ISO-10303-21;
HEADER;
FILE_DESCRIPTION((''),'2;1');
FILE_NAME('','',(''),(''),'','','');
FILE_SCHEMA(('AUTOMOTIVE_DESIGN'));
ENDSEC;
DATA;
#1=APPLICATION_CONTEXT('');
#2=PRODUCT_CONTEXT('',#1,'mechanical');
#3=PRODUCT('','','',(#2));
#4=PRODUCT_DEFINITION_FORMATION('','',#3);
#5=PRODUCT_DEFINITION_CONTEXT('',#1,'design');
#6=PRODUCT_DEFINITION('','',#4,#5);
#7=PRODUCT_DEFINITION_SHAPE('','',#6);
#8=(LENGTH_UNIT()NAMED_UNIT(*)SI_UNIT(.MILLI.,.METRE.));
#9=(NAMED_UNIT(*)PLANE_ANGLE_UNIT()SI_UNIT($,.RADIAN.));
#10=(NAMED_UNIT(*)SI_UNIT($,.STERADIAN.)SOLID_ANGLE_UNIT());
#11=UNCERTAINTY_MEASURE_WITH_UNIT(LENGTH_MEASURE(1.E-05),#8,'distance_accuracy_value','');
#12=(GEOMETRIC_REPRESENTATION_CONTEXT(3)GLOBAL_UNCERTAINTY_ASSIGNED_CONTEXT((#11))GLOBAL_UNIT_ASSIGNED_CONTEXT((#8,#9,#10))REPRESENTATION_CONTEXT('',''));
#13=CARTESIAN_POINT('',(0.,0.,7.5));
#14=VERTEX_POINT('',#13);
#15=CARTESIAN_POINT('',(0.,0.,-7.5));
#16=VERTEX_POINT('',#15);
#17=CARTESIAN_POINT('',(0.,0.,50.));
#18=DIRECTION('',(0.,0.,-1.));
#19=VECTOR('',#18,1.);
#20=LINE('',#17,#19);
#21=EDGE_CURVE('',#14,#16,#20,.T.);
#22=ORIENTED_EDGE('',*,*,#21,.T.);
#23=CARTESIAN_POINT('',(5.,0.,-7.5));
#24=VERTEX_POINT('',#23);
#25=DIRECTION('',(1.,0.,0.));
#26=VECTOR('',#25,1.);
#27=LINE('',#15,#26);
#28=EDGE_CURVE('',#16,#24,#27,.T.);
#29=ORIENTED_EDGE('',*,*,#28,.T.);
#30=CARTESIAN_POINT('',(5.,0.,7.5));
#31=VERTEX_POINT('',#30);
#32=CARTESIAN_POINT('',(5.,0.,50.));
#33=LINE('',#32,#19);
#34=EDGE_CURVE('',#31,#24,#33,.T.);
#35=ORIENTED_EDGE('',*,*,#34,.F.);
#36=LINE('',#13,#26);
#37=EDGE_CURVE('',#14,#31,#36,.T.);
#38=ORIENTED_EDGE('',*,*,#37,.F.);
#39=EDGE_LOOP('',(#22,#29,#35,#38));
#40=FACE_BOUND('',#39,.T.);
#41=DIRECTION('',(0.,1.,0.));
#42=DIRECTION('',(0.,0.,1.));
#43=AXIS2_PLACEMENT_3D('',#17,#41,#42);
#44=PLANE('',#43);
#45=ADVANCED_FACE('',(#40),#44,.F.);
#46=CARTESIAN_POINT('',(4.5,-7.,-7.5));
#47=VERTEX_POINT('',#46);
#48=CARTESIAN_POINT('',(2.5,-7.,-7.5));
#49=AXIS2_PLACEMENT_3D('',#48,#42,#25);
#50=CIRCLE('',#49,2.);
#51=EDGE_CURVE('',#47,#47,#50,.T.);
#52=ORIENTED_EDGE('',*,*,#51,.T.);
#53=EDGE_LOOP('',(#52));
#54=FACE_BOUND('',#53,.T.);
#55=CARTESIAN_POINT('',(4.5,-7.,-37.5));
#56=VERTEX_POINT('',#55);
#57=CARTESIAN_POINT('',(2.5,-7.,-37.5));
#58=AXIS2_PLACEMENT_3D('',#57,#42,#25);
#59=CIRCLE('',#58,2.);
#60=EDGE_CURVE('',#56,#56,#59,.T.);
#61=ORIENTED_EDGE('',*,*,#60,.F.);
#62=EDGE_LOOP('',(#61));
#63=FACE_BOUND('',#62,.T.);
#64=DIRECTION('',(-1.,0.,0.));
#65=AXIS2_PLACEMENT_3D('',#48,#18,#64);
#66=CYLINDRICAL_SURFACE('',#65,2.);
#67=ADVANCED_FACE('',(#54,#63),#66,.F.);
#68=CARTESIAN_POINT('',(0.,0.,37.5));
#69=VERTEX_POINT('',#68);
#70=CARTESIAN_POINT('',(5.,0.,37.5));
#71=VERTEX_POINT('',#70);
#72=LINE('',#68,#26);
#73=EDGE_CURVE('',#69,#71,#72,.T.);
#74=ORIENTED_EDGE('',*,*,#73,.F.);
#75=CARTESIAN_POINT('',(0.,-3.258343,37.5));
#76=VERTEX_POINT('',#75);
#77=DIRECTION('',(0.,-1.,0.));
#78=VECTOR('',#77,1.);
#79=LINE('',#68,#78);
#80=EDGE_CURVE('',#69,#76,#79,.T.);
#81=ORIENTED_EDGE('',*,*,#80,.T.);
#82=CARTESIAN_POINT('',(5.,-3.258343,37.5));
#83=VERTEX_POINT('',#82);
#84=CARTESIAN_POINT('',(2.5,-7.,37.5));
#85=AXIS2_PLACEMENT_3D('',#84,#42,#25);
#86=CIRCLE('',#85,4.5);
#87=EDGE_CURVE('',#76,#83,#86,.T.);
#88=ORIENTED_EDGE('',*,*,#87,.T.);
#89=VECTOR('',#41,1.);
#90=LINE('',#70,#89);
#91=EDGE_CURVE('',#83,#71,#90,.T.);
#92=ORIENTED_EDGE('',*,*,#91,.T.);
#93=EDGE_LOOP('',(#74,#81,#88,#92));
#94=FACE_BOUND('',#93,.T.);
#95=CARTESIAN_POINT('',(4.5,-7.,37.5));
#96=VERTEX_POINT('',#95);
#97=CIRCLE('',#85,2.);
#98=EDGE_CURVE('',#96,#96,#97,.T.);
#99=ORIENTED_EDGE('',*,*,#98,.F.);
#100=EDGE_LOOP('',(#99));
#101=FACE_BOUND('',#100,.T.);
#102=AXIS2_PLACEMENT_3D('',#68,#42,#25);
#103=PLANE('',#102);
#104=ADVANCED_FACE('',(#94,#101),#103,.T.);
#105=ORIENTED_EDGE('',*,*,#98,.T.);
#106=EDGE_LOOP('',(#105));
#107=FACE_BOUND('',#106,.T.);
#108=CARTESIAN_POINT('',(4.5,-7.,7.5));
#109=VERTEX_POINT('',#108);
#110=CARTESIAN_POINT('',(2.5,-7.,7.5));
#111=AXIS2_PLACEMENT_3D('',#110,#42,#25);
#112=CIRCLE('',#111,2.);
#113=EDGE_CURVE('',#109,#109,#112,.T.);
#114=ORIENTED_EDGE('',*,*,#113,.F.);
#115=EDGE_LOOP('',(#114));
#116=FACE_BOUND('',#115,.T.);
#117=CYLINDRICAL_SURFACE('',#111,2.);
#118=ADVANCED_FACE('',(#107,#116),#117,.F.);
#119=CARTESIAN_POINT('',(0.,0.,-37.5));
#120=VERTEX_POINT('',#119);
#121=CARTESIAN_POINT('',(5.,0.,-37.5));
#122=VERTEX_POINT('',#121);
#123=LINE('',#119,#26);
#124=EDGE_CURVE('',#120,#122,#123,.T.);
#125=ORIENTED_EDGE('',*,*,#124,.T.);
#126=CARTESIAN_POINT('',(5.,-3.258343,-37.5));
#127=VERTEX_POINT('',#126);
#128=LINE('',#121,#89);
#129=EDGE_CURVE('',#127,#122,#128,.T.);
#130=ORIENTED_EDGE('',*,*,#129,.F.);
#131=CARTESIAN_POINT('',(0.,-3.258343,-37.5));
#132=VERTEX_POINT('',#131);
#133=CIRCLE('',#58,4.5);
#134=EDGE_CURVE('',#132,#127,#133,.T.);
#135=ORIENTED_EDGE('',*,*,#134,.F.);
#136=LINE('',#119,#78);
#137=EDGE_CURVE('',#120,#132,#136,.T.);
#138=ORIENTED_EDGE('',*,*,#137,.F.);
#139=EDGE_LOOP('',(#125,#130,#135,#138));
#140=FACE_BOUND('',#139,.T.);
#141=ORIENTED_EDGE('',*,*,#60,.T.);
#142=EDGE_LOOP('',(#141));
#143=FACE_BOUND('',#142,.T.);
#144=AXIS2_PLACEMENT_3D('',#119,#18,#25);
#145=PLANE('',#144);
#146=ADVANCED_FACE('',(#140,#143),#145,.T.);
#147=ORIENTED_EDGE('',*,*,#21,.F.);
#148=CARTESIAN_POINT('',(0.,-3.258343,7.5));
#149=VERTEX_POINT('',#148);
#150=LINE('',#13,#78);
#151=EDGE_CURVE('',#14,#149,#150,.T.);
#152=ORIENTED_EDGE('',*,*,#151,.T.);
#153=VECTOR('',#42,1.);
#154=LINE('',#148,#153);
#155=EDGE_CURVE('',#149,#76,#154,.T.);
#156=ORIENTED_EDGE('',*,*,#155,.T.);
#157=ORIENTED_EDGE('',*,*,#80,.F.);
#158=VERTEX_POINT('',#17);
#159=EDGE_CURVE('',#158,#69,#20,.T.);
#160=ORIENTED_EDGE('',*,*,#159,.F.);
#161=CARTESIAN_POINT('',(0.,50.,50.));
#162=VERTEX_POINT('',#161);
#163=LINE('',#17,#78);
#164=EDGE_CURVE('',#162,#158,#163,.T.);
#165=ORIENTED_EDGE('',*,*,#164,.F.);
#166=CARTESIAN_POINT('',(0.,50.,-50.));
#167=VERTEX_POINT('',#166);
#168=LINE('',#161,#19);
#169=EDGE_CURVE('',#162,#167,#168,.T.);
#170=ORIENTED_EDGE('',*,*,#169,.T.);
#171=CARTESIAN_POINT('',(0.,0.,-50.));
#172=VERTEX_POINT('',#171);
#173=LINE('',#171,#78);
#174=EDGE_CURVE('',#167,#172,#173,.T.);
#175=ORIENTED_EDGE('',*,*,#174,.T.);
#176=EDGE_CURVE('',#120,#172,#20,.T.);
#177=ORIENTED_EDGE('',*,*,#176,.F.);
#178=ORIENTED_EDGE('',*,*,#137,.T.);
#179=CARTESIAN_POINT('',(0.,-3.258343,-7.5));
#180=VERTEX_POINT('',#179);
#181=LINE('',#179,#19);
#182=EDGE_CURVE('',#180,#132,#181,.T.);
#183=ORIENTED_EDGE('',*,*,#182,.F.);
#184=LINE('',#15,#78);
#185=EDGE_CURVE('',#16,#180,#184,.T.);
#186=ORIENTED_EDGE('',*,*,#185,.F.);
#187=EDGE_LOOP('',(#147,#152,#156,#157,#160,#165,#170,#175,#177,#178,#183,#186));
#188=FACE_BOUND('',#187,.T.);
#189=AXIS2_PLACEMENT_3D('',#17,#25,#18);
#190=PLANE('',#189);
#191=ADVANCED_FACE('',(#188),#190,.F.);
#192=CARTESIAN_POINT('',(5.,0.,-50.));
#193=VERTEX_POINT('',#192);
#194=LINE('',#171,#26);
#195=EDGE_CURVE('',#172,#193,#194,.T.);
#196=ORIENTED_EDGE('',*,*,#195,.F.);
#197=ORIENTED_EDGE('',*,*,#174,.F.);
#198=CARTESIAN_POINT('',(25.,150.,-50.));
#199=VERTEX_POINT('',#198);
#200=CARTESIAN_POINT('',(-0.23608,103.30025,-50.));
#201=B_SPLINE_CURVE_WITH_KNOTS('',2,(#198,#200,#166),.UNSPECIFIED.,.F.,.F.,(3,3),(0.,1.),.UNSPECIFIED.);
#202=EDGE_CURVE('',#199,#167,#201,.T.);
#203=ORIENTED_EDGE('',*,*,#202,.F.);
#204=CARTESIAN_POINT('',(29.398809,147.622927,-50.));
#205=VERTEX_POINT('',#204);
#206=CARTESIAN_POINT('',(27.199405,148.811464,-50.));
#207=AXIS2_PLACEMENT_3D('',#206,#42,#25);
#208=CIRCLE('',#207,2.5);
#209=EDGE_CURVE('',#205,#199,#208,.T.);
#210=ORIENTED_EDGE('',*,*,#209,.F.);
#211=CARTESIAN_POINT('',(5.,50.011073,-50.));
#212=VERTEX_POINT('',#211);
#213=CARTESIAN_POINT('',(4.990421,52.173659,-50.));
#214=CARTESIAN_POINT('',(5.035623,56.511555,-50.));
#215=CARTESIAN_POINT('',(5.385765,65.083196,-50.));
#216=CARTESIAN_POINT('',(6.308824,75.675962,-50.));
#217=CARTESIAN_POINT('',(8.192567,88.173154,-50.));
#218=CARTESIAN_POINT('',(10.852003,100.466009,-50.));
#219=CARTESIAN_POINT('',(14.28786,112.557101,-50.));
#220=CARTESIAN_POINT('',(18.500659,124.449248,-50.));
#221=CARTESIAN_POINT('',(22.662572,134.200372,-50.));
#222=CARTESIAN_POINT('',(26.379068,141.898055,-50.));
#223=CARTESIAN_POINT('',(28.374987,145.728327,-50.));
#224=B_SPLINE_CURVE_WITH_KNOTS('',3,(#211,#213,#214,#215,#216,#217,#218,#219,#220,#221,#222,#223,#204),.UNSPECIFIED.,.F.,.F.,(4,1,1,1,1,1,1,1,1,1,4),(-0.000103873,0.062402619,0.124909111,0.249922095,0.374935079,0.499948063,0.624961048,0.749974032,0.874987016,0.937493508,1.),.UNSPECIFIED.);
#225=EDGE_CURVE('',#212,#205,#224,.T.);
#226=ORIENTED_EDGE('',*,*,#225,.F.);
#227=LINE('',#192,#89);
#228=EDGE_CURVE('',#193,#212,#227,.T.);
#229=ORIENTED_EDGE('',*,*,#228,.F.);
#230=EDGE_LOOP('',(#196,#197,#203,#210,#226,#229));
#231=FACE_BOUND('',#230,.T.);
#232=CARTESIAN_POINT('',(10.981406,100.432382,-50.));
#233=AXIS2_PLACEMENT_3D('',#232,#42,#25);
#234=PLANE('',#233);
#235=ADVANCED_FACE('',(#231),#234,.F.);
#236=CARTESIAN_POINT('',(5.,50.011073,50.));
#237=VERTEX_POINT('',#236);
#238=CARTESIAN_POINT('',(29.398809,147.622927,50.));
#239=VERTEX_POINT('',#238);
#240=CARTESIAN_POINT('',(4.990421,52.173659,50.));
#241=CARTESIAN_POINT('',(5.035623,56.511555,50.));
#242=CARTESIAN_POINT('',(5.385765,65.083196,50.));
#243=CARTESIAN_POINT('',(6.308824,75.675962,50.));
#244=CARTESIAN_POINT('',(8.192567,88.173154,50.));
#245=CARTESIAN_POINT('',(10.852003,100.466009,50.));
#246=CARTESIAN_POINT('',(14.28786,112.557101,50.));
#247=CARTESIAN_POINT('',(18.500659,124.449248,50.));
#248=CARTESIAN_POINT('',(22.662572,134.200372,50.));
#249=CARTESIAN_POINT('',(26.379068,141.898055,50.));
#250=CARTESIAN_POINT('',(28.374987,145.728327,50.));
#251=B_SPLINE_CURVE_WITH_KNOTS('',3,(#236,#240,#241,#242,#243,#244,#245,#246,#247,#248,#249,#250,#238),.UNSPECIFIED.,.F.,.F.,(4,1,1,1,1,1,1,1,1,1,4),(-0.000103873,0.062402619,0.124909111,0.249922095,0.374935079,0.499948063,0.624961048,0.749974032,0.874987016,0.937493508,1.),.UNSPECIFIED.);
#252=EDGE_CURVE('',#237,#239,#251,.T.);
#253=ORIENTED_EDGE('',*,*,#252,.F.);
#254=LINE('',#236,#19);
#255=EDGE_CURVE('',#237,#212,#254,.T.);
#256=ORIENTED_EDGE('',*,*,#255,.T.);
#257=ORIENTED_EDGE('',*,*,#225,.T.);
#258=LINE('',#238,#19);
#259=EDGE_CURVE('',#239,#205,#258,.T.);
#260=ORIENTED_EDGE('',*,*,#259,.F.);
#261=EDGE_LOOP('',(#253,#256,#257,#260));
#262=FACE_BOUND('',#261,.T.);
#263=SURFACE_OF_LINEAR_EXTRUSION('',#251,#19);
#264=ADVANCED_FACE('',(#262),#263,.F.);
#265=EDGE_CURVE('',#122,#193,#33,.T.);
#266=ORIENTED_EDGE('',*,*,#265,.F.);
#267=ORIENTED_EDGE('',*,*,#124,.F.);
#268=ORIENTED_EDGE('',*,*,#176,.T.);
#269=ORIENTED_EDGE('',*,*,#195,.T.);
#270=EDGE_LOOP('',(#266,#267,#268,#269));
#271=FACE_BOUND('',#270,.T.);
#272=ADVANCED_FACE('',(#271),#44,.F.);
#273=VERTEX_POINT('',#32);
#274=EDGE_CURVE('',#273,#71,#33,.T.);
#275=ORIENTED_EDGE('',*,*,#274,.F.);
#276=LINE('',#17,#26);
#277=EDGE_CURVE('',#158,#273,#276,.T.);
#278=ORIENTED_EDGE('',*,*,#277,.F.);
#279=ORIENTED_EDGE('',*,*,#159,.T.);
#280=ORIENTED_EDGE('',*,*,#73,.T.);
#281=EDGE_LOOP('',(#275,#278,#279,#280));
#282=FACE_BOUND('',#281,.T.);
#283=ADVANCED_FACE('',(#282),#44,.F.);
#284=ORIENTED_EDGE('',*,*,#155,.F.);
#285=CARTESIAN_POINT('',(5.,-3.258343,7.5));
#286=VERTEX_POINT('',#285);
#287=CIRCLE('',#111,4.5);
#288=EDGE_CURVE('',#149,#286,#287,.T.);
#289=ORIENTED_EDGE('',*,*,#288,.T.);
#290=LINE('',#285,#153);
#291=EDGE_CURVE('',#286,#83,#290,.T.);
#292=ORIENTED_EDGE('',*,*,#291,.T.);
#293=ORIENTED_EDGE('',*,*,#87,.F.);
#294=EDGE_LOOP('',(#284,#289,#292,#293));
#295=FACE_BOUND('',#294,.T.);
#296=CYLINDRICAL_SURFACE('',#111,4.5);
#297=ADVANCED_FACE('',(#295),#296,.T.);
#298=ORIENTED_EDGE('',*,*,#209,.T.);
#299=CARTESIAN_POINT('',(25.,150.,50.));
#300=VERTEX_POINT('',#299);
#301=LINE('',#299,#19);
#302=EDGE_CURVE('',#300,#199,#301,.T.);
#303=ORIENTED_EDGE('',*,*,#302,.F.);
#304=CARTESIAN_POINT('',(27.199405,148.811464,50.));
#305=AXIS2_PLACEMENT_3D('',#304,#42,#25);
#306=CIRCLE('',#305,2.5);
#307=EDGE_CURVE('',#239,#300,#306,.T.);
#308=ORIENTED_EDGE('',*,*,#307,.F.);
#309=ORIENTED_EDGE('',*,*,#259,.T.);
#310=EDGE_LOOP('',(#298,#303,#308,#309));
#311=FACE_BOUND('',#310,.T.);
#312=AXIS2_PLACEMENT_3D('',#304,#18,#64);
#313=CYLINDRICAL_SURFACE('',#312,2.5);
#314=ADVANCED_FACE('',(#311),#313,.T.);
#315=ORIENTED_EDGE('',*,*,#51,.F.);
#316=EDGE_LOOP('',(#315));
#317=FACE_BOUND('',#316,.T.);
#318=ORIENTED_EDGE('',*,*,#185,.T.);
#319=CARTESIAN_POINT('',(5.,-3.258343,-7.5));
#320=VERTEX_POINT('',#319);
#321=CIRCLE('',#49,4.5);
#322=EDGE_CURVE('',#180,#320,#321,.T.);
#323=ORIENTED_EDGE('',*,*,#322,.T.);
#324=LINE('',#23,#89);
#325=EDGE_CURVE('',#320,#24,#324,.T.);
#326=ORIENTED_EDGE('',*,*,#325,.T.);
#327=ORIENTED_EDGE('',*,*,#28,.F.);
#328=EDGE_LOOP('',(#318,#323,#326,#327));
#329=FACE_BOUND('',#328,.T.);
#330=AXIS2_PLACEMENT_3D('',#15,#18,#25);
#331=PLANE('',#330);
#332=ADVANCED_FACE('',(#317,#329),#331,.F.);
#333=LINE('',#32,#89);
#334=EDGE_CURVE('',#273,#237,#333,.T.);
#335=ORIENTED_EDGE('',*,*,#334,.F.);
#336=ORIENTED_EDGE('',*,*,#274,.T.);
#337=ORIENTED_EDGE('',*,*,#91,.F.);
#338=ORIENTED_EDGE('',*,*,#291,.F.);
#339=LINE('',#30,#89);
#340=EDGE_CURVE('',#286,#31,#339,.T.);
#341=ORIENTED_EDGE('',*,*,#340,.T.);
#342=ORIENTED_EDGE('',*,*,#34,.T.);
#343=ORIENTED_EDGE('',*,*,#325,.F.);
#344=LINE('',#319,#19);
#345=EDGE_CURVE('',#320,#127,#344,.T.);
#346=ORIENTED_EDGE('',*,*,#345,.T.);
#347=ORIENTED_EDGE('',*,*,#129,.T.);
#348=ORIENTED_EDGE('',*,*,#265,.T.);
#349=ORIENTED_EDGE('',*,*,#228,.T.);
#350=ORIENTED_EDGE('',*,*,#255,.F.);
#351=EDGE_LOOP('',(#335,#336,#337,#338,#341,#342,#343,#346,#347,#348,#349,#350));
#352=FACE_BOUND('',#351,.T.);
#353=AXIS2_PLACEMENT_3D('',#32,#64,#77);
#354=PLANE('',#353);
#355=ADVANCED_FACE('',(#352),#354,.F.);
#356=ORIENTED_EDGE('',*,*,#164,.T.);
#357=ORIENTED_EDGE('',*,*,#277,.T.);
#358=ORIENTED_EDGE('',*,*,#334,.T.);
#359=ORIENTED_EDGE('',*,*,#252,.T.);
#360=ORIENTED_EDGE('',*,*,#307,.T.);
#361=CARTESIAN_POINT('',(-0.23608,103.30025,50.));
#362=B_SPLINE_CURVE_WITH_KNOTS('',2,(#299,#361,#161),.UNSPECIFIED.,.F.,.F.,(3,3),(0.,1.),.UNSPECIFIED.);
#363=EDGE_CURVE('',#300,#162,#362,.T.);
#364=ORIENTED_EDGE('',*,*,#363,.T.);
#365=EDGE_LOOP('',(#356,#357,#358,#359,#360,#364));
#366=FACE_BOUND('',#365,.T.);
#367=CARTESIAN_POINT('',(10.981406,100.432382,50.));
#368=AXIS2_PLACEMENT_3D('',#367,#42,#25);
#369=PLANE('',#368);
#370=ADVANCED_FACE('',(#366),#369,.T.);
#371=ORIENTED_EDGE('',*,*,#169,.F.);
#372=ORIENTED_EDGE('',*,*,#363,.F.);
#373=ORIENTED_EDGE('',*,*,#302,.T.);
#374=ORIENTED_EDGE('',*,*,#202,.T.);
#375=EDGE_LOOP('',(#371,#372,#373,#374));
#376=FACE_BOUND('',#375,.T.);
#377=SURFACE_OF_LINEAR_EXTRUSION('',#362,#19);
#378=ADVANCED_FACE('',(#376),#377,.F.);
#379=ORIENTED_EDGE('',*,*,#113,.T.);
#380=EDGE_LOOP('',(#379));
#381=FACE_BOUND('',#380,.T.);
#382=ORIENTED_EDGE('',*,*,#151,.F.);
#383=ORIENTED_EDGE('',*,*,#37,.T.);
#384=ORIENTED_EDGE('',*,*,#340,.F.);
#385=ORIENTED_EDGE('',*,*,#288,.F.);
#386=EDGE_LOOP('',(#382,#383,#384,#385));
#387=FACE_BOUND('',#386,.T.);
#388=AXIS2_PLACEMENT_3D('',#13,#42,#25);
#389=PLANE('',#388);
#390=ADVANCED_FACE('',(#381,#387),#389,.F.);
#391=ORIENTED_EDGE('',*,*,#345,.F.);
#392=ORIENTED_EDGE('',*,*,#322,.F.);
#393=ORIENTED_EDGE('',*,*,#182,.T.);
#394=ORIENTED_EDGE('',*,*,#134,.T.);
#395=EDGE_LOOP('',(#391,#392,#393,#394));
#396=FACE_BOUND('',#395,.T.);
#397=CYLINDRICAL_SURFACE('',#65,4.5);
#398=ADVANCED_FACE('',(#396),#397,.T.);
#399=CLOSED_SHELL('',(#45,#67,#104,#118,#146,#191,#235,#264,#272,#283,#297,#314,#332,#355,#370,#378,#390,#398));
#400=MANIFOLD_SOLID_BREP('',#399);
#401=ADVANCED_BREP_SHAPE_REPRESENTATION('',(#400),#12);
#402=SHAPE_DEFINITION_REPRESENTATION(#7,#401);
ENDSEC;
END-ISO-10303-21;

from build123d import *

# Parameters (mm, degrees)
BOSS_EXTRUDE1_DEPTH = 50
BOSS_EXTRUDE2_START = -12.5
SKETCH2_R           = 2
BOSS_EXTRUDE2_DEPTH = 30


with BuildPart() as part:
    # Sketch1 → Boss-Extrude1 (new body, symmetric)
    with BuildSketch(Plane.XY):
        with BuildLine():
            Line((0, 0), (0, 50))
            add(Edge.make_bspline(
                [(0, 50), (-0.236079675, 103.300249741), (25, 150)],
                knots=[0, 0, 0, 1, 1, 1], degree=2))
            ThreePointArc((25, 150), (28.387941146, 151.010868336), (29.398809482, 147.62292719))
            add(Edge.make_bspline(
                [(5, 50.011073049), (4.990421387, 52.173658537), (5.035623154, 56.511554686), (5.385764781, 65.083196163), (6.308823956, 75.675961605), (8.192566934, 88.173154483), (10.852002898, 100.466008633), (14.287860292, 112.557101091), (18.500659336, 124.449247631), (22.66257211, 134.200371846), (26.379067858, 141.898054896), (28.374986615, 145.728327364), (29.398809482, 147.62292719)],
                knots=[-0.000103873, -0.000103873, -0.000103873, -0.000103873, 0.062402619, 0.124909111, 0.249922095, 0.374935079, 0.499948063, 0.624961048, 0.749974032, 0.874987016, 0.937493508, 1, 1, 1, 1], degree=3))
            Line((5, 50.011073049), (5, 0))
            Line((5, 0), (0, 0))
        make_face()
    extrude(amount=BOSS_EXTRUDE1_DEPTH, both=True)

    # Sketch2 → Boss-Extrude2 (add)
    with BuildSketch(Plane.XY.offset(50).offset(BOSS_EXTRUDE2_START)):
        with BuildLine():
            Line((5, -3.258342613), (0, -3.258342613))
            ThreePointArc((0, -3.258342613), (0.378679656, -10.968626967), (7, -7))
            ThreePointArc((7, -7), (6.468626967, -4.878679656), (5, -3.258342613))
        make_face()
        with Locations((2.5, -7)):
            Circle(SKETCH2_R, mode=Mode.SUBTRACT)
        with BuildLine():
            ThreePointArc((5, -3.258342613), (2.5, -2.5), (0, -3.258342613))
            Line((0, -3.258342613), (5, -3.258342613))
        make_face()
        with BuildLine():
            Line((5, 0), (0, 0))
            Line((0, 0), (0, -3.258342613))
            ThreePointArc((0, -3.258342613), (2.5, -2.5), (5, -3.258342613))
            Line((5, -3.258342613), (5, 0))
        make_face()
    boss_extrude2 = extrude(amount=-BOSS_EXTRUDE2_DEPTH)

    # Mirror1: Boss-Extrude2 across plane
    add(boss_extrude2.mirror(Plane.XY))


solid = part.part
